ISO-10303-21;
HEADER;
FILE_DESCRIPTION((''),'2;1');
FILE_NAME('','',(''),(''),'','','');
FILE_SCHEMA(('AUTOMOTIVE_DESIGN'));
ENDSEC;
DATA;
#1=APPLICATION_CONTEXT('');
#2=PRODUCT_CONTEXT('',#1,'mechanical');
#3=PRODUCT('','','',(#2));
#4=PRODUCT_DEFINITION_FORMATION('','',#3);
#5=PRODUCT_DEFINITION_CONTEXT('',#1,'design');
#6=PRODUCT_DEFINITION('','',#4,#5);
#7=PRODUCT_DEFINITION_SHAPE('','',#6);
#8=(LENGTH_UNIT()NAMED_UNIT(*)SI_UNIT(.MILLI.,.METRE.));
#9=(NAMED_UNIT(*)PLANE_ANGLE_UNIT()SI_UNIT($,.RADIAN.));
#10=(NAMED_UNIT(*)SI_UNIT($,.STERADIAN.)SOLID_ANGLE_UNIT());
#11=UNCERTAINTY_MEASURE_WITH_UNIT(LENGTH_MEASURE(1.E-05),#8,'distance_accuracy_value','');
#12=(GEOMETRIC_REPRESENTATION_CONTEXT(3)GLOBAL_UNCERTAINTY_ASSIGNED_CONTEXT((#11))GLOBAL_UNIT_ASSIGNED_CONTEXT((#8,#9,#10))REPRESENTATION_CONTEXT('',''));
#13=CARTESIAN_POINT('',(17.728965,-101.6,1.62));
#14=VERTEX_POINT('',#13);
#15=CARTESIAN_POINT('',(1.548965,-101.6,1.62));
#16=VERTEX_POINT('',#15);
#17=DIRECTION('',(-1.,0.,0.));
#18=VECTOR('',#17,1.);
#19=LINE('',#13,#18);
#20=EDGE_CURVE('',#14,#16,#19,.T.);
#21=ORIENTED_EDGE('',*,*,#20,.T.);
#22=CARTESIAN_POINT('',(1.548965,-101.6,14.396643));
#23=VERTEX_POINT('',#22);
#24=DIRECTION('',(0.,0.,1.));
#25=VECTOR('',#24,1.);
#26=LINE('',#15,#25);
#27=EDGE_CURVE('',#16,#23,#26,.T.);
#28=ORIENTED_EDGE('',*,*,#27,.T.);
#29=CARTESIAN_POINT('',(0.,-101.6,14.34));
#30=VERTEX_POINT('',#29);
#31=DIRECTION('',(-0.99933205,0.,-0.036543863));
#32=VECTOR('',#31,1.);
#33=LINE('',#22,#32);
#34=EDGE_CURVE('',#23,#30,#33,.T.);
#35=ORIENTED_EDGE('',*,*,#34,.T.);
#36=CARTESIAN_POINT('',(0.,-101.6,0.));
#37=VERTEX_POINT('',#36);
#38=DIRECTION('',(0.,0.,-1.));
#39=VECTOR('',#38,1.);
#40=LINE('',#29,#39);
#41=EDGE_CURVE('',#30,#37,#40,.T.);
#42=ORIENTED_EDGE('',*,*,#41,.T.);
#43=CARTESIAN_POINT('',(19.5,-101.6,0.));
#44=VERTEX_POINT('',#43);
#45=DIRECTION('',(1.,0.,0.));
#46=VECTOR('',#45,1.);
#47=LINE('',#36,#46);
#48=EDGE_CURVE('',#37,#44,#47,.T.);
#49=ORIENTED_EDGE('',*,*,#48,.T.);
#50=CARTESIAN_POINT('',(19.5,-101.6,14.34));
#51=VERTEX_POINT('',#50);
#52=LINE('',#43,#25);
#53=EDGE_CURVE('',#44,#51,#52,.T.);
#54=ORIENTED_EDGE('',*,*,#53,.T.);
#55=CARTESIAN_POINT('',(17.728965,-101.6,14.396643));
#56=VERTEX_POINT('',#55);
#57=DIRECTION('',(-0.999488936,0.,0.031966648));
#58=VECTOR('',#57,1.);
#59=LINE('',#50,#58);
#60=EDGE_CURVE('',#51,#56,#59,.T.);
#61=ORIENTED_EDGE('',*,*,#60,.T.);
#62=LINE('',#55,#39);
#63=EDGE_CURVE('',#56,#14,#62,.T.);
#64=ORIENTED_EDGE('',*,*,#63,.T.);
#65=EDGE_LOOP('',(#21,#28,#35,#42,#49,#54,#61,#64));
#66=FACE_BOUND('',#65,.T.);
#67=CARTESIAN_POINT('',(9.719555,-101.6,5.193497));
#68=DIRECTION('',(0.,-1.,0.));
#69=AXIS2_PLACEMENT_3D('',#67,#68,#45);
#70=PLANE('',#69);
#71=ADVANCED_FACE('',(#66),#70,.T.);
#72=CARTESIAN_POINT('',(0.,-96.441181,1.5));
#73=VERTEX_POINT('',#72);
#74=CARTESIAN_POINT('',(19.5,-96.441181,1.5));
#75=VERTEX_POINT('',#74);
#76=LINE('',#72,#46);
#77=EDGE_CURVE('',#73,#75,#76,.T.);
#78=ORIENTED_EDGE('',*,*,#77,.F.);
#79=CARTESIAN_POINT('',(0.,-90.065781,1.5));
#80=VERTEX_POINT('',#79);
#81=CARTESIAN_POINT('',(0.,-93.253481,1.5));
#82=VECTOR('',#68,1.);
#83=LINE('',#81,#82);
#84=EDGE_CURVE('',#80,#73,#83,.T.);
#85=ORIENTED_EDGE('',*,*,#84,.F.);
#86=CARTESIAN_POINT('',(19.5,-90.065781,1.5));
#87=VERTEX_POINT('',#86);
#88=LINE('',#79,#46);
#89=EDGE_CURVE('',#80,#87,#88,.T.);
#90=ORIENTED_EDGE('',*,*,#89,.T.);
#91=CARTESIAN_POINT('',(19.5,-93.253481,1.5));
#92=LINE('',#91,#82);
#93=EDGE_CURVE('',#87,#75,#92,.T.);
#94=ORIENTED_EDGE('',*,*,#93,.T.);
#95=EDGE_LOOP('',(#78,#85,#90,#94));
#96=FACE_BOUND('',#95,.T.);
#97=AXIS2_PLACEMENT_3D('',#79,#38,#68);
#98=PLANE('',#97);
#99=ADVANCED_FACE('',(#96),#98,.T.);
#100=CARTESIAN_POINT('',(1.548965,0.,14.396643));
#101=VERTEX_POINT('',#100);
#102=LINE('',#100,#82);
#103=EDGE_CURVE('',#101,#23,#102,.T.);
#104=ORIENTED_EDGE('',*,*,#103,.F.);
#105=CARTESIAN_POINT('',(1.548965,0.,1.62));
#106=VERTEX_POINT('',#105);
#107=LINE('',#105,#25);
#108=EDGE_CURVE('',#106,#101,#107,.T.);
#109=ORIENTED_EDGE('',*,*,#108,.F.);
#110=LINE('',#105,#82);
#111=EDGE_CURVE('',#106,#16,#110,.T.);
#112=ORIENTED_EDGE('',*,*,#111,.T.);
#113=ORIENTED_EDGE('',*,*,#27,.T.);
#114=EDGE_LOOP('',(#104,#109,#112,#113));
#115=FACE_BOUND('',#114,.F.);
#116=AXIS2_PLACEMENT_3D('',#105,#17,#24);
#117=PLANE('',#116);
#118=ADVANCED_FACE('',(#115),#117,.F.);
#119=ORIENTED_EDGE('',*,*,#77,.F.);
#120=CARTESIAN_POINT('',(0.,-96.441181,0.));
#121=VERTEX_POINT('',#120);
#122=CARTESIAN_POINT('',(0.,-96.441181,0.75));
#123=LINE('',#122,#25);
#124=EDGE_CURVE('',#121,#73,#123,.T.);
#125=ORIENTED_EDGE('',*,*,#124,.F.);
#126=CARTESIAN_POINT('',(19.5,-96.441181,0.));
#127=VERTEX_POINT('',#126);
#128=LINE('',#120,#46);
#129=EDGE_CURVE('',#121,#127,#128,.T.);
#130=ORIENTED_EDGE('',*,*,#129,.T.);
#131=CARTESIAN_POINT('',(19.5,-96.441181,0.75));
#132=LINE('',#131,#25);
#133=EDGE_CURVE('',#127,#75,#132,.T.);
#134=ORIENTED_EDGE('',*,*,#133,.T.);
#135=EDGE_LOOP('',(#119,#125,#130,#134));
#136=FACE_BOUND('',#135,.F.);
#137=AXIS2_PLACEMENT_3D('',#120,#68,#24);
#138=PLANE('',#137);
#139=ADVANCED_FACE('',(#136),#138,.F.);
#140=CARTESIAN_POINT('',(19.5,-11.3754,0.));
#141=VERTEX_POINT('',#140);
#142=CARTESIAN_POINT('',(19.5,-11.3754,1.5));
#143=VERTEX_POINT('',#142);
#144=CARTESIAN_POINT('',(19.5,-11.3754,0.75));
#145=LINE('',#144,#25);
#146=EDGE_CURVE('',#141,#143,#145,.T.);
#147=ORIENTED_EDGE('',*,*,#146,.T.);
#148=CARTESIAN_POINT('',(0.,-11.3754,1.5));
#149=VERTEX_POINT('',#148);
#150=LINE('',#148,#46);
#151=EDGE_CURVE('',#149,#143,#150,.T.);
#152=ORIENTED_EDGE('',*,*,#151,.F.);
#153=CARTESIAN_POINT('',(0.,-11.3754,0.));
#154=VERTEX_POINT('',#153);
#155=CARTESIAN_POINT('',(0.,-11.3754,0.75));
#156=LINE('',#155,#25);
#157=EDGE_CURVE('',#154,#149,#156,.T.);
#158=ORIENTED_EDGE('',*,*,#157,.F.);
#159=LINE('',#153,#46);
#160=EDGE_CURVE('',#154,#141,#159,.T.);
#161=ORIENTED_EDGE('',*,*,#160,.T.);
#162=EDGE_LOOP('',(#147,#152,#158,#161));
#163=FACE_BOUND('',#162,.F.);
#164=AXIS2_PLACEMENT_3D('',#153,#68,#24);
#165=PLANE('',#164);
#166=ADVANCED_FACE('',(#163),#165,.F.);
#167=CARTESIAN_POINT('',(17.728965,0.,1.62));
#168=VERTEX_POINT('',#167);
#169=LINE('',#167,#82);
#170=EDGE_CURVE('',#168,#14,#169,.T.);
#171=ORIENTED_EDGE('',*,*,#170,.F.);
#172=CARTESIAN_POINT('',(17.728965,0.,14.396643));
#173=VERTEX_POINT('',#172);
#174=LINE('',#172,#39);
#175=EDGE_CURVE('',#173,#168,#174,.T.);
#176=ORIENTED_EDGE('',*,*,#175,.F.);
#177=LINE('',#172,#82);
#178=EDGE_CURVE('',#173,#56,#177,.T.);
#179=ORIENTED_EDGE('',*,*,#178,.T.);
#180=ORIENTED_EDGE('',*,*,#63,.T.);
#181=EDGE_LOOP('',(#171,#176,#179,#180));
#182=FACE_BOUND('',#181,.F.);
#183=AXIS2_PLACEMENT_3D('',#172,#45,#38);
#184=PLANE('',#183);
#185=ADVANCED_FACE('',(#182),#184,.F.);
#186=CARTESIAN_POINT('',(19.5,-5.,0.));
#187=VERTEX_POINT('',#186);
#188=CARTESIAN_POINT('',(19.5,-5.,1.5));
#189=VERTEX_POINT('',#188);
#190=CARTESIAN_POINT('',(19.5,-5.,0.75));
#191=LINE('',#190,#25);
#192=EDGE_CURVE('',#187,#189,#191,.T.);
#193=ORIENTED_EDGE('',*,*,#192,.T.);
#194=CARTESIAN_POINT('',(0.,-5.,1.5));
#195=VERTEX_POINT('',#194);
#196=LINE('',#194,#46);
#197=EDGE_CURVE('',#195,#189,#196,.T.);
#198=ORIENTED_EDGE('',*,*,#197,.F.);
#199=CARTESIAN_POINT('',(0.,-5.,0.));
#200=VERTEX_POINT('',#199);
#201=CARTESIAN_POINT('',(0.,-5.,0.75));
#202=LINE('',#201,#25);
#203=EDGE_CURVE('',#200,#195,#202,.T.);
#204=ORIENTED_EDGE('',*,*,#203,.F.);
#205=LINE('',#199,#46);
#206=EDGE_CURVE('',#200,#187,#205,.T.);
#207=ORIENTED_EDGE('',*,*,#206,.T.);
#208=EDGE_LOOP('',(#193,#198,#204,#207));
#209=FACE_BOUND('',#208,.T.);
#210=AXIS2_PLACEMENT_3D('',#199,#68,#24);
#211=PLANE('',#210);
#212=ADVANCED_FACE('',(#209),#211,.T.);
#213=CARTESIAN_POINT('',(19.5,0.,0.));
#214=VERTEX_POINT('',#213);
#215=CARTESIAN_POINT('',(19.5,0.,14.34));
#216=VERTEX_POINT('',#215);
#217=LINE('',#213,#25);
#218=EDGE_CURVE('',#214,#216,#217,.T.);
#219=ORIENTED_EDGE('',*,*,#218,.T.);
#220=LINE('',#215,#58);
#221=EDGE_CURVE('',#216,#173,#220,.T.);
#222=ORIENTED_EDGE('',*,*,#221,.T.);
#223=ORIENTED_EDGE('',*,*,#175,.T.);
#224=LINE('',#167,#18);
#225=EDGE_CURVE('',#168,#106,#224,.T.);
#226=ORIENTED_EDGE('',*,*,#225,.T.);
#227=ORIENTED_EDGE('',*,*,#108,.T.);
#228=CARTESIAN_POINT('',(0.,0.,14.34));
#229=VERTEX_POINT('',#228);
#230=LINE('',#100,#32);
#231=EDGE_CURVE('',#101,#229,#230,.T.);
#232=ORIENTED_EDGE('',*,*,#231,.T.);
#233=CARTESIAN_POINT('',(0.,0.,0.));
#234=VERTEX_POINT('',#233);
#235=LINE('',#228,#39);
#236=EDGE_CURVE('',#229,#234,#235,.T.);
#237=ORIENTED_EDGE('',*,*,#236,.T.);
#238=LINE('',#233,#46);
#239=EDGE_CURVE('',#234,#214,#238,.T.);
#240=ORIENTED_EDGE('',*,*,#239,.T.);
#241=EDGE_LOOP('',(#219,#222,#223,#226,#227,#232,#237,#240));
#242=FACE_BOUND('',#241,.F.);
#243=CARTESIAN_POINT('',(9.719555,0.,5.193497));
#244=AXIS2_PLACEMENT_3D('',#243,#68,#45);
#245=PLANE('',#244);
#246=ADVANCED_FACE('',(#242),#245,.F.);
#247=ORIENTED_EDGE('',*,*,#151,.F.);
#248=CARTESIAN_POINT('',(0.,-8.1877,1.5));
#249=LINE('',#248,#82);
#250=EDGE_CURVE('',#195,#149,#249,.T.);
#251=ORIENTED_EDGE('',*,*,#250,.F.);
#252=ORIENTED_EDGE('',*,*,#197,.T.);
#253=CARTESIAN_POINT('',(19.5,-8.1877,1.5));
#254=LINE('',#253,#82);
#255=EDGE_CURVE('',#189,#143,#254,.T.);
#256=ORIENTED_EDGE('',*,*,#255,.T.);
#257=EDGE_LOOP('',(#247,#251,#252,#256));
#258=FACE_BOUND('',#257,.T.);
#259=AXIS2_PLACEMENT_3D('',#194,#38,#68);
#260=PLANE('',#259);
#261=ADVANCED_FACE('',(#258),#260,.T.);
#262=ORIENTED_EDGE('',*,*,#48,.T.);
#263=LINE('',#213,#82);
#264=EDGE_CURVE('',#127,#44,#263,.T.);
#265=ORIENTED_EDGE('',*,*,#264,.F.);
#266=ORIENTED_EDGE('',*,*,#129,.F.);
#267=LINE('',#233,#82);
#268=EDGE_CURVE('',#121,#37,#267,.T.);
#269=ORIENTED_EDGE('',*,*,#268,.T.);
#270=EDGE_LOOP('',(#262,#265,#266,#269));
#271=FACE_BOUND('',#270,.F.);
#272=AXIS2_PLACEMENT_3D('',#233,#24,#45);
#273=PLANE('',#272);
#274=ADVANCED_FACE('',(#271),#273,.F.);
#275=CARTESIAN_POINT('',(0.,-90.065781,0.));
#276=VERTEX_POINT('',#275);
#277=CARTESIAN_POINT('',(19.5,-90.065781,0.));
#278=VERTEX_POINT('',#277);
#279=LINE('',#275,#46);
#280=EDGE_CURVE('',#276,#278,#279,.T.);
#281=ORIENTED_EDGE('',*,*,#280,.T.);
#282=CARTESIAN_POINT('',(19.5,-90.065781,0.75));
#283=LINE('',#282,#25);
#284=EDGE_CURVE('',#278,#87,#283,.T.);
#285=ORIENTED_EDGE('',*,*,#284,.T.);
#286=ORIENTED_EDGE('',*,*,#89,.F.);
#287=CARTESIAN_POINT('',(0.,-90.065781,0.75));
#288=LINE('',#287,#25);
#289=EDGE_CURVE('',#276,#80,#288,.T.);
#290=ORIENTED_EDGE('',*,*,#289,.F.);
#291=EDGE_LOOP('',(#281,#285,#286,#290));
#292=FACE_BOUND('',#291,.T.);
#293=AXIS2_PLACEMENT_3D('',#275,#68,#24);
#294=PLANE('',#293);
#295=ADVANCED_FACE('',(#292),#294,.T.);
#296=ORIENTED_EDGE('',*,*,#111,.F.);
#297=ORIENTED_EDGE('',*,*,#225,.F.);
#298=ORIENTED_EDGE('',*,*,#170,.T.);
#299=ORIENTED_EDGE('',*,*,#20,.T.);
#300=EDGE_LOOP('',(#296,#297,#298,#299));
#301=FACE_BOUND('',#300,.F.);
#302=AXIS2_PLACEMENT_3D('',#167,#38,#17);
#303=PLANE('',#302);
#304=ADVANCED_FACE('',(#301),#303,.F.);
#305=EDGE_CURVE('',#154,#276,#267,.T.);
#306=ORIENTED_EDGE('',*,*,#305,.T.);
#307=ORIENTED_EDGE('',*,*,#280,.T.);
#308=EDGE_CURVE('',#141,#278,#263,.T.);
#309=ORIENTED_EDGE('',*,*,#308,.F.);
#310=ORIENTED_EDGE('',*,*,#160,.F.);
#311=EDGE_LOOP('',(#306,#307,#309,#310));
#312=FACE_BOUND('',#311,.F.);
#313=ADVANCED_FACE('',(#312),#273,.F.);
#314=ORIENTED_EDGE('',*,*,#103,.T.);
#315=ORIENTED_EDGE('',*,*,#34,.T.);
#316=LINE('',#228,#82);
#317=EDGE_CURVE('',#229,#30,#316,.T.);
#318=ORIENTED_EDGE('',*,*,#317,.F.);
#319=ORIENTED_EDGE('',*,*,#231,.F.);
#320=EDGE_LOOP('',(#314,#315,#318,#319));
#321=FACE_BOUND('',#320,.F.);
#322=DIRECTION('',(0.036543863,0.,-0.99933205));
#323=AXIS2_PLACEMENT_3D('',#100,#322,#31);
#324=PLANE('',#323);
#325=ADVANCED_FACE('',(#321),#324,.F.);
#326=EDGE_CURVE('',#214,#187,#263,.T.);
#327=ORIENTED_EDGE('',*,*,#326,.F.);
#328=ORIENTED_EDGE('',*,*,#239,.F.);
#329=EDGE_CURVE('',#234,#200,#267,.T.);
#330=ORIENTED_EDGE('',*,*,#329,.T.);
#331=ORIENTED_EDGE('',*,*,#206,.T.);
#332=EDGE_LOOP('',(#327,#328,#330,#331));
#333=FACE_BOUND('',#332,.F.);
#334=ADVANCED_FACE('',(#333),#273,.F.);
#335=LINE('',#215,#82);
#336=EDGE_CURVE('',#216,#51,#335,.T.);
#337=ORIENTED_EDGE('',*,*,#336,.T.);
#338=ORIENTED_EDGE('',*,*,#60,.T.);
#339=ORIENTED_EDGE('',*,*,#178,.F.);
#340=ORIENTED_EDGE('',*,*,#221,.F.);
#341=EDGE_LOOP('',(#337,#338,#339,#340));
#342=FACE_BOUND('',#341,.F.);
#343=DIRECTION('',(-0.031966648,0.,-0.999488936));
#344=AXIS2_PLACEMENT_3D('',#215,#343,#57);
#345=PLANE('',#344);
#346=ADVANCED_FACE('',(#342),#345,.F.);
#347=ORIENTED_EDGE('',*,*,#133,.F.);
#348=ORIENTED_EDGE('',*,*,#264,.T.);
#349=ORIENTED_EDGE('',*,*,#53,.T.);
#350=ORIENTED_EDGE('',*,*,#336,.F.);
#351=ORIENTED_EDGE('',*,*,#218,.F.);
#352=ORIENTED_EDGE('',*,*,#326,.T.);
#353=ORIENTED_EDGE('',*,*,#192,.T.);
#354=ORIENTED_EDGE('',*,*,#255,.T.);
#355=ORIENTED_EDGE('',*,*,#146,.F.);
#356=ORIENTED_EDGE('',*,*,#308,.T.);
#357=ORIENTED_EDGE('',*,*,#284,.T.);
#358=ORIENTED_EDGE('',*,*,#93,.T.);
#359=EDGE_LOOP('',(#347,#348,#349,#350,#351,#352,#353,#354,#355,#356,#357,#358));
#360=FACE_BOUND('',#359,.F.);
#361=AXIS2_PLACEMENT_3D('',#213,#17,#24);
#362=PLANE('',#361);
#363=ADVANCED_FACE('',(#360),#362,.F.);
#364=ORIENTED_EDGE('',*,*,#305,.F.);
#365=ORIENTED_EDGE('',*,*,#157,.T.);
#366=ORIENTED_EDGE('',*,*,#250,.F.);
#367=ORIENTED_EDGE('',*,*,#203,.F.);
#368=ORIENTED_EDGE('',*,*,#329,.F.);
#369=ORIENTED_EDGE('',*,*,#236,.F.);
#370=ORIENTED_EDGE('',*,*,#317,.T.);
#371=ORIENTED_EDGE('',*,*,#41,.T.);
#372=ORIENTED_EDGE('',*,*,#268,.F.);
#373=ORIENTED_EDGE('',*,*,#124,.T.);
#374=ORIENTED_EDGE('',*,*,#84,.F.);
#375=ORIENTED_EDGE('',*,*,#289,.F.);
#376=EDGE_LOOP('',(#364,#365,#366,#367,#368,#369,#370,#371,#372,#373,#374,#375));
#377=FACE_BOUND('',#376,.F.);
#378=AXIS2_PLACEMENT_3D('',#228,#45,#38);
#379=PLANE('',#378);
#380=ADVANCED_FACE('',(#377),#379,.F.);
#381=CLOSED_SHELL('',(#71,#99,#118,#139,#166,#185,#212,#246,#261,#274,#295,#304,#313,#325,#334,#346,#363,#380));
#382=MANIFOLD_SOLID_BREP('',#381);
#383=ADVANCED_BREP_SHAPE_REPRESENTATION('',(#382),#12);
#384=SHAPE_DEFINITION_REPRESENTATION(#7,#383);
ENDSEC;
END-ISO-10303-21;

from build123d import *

# Parameters (mm, degrees)
F1_DEPTH = 101.6
F2_W     = 6.3754
F2_H     = 1.5
F3_DEPTH = 19.5


with BuildPart() as f1:
    # F0 (on Front) → F1 (new body)
    with BuildSketch(Plane.XZ):
        Polygon((0, 14.34), (0, 0), (19.5, 0), (19.5, 14.34), (17.728965, 14.396643), (17.728965, 1.62), (1.548965, 1.62), (1.548965, 14.396643), align=None)
    extrude(amount=F1_DEPTH)

    # F2 (on face) → F3 (cut, through all)
    with BuildSketch(Plane(origin=(0, 0, 0), x_dir=(0, -1, 0), z_dir=(-1, 0, 0))):
        with Locations((8.1877, 0.75)):
            Rectangle(F2_W, F2_H)
        with Locations((93.253481, 0.75)):
            Rectangle(F2_W, F2_H)
    extrude(amount=-F3_DEPTH, mode=Mode.SUBTRACT)


solid = f1.part
